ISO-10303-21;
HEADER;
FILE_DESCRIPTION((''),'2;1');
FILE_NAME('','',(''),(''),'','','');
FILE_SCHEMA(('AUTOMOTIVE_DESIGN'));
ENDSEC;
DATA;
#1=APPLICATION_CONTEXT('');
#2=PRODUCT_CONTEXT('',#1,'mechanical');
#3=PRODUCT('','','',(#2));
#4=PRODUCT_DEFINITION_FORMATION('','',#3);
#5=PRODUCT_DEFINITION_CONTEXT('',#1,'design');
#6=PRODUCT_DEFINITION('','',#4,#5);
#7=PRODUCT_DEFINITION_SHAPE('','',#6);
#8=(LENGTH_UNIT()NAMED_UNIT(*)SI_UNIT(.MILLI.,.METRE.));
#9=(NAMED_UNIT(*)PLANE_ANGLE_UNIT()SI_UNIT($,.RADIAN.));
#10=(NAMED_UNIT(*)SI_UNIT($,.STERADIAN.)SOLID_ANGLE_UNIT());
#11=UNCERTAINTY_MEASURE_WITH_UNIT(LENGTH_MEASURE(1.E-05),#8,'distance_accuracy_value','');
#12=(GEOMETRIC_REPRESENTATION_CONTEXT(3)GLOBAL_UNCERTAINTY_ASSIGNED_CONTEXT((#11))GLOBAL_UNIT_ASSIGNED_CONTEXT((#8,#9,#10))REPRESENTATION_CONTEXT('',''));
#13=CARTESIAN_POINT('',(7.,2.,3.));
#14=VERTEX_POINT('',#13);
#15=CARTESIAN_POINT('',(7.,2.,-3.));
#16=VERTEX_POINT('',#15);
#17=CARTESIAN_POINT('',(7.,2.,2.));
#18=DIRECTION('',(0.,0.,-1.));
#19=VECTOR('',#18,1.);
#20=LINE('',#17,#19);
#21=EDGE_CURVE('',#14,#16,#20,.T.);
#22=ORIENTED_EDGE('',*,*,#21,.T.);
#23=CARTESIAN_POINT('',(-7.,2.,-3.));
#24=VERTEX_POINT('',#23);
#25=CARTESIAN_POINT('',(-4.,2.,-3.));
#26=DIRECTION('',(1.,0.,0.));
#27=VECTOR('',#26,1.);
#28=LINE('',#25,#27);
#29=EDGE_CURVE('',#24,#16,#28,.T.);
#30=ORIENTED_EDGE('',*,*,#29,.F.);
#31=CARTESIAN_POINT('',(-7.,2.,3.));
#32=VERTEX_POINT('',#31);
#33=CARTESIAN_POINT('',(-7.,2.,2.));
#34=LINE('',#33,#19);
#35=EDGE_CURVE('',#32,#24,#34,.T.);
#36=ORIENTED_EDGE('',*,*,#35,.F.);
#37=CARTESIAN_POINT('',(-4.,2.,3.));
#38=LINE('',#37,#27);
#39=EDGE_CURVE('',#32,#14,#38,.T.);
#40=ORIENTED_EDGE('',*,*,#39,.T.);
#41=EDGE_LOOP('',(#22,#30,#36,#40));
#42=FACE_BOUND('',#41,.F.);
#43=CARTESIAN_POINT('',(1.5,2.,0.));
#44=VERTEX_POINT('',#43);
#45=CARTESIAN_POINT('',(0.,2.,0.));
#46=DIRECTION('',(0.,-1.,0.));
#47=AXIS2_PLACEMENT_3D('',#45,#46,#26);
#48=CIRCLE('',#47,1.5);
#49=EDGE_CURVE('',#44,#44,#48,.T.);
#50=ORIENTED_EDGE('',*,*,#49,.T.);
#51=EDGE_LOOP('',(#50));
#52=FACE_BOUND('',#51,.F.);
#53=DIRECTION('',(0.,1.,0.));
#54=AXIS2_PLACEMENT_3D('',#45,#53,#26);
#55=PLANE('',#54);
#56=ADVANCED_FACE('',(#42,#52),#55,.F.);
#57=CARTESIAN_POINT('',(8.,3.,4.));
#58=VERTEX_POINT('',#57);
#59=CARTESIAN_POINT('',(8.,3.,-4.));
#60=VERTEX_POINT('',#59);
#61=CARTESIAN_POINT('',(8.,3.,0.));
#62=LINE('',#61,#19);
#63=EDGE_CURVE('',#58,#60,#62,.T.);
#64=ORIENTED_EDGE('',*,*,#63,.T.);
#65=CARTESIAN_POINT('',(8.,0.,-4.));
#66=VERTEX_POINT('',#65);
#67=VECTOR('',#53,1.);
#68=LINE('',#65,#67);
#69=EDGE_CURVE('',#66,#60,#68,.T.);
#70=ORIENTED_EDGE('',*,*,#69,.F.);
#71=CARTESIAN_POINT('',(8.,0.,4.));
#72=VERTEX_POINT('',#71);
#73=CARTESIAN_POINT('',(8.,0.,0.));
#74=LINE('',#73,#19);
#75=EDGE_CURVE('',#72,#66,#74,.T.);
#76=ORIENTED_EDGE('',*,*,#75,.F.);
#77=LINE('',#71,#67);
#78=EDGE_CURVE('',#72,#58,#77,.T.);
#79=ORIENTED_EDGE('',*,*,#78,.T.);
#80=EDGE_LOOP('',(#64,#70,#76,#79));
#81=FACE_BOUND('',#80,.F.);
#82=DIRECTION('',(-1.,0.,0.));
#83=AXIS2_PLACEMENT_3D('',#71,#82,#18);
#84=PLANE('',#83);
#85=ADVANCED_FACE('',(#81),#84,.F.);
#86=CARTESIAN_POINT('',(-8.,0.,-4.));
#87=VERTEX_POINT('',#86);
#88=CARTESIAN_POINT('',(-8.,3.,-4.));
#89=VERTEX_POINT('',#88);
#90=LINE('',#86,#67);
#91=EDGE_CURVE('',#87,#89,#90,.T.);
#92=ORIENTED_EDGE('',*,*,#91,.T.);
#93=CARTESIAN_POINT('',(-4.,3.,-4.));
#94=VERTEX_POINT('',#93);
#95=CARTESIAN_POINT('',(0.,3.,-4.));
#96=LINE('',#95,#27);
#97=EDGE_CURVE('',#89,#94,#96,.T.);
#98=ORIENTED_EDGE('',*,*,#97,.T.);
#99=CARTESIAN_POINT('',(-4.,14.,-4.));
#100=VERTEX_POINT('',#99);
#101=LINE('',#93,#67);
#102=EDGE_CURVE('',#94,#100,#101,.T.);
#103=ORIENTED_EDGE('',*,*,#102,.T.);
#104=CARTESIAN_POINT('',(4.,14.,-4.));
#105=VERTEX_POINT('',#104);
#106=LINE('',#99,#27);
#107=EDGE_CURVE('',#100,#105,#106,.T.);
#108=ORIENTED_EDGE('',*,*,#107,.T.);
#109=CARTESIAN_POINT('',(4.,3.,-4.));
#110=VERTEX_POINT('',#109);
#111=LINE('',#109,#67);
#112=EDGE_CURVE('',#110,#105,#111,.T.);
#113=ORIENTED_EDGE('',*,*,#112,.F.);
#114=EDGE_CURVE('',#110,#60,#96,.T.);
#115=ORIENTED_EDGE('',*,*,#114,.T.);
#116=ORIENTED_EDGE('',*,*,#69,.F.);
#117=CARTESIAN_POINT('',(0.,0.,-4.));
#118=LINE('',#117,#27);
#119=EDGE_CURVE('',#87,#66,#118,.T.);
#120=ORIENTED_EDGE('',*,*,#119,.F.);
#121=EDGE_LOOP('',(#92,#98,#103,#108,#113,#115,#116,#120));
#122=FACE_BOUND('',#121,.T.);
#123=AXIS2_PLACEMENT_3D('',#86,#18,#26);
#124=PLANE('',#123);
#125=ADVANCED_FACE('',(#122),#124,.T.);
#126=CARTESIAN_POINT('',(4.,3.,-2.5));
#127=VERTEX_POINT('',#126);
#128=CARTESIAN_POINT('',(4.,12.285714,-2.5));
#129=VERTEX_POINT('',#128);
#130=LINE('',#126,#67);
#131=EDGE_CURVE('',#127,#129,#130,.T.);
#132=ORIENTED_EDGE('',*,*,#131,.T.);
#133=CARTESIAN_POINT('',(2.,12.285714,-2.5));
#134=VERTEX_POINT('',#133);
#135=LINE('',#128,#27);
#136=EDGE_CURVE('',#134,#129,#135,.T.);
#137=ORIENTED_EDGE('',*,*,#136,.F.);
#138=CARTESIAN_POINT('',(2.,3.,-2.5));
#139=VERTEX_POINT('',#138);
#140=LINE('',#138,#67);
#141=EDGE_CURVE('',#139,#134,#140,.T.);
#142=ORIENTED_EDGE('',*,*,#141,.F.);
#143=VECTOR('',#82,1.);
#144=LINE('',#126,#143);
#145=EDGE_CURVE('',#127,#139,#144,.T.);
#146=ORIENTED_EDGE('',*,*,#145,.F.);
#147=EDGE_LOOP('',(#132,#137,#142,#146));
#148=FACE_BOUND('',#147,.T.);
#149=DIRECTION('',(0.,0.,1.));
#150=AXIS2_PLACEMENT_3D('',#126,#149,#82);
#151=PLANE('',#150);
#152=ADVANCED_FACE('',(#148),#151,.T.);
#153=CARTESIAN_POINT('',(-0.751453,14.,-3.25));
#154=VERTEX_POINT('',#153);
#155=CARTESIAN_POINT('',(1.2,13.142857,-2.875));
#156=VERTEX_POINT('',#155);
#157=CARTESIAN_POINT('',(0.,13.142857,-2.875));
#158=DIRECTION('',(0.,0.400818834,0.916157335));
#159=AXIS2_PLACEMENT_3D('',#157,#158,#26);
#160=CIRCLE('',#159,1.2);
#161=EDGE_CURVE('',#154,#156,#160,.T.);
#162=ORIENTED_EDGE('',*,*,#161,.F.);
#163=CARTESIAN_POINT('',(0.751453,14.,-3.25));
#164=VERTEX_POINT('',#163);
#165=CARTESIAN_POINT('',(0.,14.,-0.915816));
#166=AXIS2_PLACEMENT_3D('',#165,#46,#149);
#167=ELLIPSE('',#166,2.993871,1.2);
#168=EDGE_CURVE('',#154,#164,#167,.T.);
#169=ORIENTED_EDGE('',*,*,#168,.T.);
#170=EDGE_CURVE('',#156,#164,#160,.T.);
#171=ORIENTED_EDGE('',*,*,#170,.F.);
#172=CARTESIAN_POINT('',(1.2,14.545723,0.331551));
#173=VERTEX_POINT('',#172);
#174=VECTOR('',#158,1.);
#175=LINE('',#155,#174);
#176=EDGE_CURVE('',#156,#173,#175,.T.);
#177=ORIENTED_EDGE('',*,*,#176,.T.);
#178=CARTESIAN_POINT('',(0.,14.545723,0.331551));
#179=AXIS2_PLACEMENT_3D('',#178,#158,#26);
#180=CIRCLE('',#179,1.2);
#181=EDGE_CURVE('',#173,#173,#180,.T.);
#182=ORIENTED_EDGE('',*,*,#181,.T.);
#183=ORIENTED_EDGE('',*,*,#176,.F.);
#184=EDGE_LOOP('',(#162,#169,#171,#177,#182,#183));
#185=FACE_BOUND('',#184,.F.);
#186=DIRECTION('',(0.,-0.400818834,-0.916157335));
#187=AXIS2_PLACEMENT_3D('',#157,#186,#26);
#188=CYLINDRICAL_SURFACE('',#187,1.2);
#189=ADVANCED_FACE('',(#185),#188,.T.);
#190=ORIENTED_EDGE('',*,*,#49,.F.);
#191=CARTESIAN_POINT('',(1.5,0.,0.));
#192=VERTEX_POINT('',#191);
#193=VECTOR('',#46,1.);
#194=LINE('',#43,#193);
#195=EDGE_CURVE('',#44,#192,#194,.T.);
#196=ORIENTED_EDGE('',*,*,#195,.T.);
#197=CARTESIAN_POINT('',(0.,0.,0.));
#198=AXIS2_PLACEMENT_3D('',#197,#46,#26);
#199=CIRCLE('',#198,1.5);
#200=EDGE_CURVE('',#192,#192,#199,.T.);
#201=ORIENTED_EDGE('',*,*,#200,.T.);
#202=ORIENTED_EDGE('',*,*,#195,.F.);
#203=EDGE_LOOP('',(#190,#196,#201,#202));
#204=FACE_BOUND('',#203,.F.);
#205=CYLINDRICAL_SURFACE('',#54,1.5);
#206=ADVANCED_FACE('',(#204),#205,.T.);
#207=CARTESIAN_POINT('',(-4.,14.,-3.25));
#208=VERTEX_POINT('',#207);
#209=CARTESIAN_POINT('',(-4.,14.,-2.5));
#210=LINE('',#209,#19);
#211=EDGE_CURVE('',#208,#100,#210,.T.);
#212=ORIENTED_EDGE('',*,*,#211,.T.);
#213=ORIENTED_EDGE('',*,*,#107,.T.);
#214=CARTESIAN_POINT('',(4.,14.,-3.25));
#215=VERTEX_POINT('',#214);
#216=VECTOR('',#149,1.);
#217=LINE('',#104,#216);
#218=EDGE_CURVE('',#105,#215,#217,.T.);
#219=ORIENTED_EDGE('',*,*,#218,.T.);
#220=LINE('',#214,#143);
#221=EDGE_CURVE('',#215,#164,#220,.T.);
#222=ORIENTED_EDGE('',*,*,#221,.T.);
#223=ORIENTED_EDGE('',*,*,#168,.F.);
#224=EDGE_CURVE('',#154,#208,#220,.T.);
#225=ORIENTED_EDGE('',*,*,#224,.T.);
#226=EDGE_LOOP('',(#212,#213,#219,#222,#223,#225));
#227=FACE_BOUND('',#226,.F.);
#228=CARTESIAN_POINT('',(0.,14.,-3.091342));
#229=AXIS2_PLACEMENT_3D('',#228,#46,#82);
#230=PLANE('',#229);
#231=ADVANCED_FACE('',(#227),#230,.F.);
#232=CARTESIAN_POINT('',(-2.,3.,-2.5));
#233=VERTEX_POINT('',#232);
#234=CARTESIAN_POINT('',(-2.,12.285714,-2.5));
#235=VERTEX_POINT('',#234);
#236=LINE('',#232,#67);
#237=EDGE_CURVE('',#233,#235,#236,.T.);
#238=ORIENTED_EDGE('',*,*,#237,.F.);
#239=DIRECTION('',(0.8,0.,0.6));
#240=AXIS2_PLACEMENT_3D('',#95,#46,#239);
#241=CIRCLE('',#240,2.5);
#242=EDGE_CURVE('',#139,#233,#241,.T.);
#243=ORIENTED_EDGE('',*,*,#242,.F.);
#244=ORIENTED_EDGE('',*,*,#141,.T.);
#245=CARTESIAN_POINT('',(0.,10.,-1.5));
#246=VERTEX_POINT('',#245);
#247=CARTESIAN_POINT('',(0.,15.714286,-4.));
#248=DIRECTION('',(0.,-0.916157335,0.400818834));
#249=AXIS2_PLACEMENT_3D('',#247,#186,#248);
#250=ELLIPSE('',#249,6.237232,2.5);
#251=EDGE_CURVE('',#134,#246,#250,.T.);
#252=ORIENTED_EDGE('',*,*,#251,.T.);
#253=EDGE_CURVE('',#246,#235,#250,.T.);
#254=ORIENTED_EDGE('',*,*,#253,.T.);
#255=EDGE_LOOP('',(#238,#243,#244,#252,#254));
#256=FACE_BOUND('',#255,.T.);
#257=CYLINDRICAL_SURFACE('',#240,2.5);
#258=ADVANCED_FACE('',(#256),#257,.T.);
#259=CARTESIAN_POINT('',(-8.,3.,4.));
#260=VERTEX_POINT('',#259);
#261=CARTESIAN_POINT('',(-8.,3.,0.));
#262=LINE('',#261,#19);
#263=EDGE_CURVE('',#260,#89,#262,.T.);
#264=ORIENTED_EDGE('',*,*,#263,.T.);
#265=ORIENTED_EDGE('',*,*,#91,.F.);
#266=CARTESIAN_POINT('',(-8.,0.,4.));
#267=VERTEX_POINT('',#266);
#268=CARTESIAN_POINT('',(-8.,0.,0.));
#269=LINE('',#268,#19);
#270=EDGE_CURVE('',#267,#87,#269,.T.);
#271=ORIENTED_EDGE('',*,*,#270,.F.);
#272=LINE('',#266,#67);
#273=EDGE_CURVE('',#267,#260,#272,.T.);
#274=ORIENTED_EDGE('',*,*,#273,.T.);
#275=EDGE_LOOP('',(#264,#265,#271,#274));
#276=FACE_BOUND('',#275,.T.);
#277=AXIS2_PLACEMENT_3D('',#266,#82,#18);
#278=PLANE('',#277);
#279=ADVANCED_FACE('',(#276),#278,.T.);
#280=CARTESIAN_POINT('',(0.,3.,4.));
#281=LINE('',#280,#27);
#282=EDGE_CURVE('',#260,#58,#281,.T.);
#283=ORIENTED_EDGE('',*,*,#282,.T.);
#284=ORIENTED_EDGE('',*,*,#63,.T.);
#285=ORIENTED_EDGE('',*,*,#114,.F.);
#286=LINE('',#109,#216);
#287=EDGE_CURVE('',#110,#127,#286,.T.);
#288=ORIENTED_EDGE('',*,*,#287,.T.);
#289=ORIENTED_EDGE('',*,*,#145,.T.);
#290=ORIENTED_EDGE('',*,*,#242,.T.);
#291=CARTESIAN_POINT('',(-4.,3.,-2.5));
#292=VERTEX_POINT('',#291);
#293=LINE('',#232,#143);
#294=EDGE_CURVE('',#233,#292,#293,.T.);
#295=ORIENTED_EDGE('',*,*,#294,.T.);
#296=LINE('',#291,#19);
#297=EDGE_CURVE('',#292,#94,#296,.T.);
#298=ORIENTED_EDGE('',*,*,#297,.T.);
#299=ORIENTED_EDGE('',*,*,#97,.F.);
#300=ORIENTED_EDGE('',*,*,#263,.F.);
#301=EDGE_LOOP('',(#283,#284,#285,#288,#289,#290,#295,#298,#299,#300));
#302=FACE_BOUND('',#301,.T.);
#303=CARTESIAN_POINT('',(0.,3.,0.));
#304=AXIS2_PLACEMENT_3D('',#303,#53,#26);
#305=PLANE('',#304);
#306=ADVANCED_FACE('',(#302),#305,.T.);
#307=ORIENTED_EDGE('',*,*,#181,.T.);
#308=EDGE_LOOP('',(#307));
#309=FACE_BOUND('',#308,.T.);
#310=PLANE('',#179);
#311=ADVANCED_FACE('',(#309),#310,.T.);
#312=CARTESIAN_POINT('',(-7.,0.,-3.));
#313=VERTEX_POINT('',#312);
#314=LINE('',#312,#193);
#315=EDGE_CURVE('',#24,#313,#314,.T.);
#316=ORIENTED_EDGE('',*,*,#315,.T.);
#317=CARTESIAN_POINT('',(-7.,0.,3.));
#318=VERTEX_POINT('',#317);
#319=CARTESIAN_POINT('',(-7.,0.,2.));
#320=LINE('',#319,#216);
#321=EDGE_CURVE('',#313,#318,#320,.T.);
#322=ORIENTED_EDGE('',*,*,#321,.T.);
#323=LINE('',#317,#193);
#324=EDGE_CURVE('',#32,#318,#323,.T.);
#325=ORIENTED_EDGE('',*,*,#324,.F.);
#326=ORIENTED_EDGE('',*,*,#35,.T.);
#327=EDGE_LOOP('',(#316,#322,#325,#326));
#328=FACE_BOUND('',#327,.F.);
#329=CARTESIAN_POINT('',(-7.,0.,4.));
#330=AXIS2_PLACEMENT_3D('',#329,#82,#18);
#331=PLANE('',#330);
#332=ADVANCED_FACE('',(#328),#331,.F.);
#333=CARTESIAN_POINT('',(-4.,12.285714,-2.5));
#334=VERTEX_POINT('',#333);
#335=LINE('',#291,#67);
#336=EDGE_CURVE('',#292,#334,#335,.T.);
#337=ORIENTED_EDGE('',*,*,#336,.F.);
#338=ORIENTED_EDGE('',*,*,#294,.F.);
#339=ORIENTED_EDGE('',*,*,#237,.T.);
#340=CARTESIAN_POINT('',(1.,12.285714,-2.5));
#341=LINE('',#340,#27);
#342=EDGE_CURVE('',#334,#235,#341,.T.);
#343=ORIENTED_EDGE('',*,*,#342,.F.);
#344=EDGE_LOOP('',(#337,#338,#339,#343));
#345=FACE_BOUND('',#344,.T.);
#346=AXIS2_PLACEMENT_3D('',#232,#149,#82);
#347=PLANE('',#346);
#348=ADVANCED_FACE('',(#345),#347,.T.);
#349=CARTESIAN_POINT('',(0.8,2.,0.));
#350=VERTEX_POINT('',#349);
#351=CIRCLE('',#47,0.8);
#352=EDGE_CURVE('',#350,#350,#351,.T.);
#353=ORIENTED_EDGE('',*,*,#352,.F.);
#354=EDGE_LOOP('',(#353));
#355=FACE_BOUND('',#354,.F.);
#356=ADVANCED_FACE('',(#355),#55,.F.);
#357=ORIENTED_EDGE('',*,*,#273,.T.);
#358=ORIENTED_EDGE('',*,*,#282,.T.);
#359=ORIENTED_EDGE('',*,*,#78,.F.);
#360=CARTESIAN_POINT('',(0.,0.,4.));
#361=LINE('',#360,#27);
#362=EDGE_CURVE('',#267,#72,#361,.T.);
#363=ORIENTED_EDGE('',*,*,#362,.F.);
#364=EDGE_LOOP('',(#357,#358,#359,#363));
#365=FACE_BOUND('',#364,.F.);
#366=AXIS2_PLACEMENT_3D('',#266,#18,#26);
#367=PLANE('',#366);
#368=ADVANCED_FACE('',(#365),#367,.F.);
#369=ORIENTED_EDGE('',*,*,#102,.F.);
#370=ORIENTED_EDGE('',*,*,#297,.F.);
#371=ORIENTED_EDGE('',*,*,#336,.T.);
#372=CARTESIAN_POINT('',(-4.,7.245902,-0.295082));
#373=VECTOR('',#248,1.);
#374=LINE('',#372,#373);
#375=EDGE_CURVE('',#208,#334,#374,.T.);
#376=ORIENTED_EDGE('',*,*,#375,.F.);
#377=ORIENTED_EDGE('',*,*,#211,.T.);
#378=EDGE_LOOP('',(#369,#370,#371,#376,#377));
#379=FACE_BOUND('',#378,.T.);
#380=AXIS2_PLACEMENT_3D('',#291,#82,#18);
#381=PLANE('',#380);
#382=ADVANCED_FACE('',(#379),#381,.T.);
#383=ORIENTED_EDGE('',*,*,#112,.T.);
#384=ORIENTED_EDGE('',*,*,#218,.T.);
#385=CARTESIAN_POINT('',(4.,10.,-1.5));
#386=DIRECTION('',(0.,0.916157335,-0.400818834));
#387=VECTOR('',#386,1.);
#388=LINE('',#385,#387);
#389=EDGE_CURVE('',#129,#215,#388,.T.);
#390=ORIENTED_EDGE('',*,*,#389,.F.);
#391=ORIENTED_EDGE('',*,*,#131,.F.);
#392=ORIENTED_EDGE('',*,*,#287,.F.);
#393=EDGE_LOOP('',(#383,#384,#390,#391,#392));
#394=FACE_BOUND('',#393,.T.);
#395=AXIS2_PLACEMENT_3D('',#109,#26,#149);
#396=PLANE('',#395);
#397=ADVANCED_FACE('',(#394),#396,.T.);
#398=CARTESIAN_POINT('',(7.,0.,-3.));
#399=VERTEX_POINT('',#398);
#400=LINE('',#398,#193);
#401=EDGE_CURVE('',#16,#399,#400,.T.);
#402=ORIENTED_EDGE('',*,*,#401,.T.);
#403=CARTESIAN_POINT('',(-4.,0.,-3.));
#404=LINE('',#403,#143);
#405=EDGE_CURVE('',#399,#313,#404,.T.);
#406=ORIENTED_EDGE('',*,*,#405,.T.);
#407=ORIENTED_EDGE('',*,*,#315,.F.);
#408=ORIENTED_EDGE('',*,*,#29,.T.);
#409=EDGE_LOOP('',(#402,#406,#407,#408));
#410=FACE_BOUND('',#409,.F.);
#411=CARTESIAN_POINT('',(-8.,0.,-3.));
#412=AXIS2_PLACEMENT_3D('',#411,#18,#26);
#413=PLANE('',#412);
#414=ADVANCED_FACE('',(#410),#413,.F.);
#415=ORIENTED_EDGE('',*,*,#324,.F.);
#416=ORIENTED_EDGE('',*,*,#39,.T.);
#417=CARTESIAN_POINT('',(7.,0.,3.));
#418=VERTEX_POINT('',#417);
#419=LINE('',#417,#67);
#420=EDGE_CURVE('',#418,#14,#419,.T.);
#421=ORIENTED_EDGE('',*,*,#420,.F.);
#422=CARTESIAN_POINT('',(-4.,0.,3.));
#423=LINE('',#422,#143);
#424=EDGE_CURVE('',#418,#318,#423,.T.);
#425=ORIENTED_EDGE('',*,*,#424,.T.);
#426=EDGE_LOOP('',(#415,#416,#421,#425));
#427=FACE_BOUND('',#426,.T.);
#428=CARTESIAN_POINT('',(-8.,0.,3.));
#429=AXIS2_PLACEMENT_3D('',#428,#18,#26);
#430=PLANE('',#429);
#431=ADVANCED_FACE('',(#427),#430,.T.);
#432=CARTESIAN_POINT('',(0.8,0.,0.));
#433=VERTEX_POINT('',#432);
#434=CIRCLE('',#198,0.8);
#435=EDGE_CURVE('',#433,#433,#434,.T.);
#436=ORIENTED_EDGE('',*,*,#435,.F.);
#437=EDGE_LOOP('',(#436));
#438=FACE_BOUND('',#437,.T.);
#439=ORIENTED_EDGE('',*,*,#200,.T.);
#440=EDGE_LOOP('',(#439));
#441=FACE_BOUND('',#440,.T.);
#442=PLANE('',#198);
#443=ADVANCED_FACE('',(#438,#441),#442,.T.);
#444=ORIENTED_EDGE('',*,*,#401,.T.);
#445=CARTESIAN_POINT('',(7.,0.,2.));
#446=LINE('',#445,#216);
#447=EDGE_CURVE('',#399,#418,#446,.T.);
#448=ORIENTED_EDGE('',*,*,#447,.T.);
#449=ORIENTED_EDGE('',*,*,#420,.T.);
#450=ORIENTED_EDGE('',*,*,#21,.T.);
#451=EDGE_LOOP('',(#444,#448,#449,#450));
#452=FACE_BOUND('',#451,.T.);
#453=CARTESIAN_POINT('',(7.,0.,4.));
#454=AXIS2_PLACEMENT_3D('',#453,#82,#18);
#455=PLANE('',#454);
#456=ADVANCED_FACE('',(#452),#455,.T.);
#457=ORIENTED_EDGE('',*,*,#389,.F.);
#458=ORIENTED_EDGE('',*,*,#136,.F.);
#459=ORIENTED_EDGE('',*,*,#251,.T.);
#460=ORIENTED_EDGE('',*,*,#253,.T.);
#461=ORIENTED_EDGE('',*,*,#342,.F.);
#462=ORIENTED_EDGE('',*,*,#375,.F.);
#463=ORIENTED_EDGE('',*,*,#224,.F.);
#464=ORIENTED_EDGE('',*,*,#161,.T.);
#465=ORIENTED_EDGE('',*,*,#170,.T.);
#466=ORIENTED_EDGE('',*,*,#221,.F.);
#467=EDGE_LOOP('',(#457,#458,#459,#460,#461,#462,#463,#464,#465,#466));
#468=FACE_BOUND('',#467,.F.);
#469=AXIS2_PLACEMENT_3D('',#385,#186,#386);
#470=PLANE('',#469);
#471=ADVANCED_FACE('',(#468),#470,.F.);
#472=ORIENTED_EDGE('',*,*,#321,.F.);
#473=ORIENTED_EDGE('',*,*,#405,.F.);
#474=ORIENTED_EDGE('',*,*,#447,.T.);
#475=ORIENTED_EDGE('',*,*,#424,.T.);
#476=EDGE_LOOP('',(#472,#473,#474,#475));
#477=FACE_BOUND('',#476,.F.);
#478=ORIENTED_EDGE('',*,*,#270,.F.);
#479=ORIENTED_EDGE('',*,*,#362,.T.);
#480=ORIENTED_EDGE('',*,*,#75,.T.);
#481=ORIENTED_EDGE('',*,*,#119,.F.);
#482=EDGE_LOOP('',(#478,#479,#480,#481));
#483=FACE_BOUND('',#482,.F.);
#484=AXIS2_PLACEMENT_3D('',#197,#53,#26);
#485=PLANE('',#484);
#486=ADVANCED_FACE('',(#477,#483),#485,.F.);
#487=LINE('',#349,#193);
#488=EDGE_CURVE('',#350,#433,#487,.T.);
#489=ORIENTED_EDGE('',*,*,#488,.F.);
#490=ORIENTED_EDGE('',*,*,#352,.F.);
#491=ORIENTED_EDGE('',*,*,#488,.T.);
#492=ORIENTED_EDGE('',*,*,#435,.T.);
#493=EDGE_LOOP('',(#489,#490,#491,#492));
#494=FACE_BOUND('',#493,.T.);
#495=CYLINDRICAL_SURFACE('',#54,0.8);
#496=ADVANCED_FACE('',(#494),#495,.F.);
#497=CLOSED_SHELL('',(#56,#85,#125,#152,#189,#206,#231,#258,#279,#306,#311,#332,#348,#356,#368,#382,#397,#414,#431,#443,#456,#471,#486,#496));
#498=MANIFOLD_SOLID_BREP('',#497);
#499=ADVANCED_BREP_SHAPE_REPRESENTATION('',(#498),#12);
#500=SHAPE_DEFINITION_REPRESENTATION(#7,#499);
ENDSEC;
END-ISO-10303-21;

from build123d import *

# Parameters (mm, degrees)
SKETCH1_W                       = 16
SKETCH1_H                       = 8
BOSS_EXTRUDE1_DEPTH             = 3
SHELL1_T                        = -1
SKETCH2_R                       = 1.5
SKETCH2_R_2                     = 0.8
BOSS_EXTRUDE2_DEPTH             = 2
BOSS_EXTRUDE3_DEPTH             = 11
CUT_EXTRUDE1_DEPTH              = 19.867962264
BOSS_EXTRUDE4_REACH             = 18.513
SKETCH5_R                       = 1.2
BOSS_EXTRUDE4_DIRECTION_2_DEPTH = 3.5


with BuildPart() as part:
    # Sketch1 → Boss-Extrude1 (new body)
    with BuildSketch(Plane(origin=(0, 0, 0), x_dir=(1, 0, 0), z_dir=(0, 1, 0))):
        Rectangle(SKETCH1_W, SKETCH1_H)
    extrude(amount=BOSS_EXTRUDE1_DEPTH)

    # Shell1
    shell1_openings = [part.faces().sort_by_distance(p)[0] for p in [
        (0, 0, 0),
    ]]
    offset(amount=SHELL1_T, openings=shell1_openings, kind=Kind.INTERSECTION)

    # Sketch2 → Boss-Extrude2 (add)
    with BuildSketch(Plane.XZ.offset(-2)):
        Circle(SKETCH2_R)
        Circle(SKETCH2_R_2, mode=Mode.SUBTRACT)
    extrude(amount=BOSS_EXTRUDE2_DEPTH)

    # Sketch3 → Boss-Extrude3 (add)
    with BuildSketch(Plane(origin=(0, 3, 0), x_dir=(1, 0, 0), z_dir=(0, 1, 0))):
        with BuildLine():
            Line((-4, 4), (4, 4))
            Line((4, 4), (4, 2.5))
            Line((4, 2.5), (2, 2.5))
            ThreePointArc((2, 2.5), (0, 1.5), (-2, 2.5))
            Line((-2, 2.5), (-4, 2.5))
            Line((-4, 2.5), (-4, 4))
        make_face()
    extrude(amount=BOSS_EXTRUDE3_DEPTH)

    # Sketch4 → Cut-Extrude1 (cut, through all)
    with BuildSketch(Plane(origin=(4, 0, 0), x_dir=(0, 0, -1), z_dir=(1, 0, 0))):
        Polygon((3.25, 14), (1.5, 14), (1.5, 10), align=None)
    extrude(amount=-CUT_EXTRUDE1_DEPTH, mode=Mode.SUBTRACT)

    # Sketch5 → Boss-Extrude4 (add, up to next)
    with BuildSketch(Plane(origin=(0, 1.055737705, 2.413114754), x_dir=(1, 0, 0), z_dir=(0, 0.40081883401970764, 0.9161573349021892)), mode=Mode.PRIVATE) as boss_extrude4_sk1:
        with Locations((0, 13.193279121)):
            Circle(SKETCH5_R)
    boss_extrude4_tool1 = extrude(boss_extrude4_sk1.sketch, amount=-BOSS_EXTRUDE4_REACH, mode=Mode.PRIVATE) - part.part
    add(boss_extrude4_tool1.solids().sort_by_distance((0, 13.142857, -2.875))[0])

    # Sketch5 → Boss-Extrude4 direction 2 (add)
    with BuildSketch(Plane(origin=(0, 1.055737705, 2.413114754), x_dir=(1, 0, 0), z_dir=(0, 0.40081883401970764, 0.9161573349021892))):
        with Locations((0, 13.193279121)):
            Circle(SKETCH5_R)
    extrude(amount=BOSS_EXTRUDE4_DIRECTION_2_DEPTH)


solid = part.part
